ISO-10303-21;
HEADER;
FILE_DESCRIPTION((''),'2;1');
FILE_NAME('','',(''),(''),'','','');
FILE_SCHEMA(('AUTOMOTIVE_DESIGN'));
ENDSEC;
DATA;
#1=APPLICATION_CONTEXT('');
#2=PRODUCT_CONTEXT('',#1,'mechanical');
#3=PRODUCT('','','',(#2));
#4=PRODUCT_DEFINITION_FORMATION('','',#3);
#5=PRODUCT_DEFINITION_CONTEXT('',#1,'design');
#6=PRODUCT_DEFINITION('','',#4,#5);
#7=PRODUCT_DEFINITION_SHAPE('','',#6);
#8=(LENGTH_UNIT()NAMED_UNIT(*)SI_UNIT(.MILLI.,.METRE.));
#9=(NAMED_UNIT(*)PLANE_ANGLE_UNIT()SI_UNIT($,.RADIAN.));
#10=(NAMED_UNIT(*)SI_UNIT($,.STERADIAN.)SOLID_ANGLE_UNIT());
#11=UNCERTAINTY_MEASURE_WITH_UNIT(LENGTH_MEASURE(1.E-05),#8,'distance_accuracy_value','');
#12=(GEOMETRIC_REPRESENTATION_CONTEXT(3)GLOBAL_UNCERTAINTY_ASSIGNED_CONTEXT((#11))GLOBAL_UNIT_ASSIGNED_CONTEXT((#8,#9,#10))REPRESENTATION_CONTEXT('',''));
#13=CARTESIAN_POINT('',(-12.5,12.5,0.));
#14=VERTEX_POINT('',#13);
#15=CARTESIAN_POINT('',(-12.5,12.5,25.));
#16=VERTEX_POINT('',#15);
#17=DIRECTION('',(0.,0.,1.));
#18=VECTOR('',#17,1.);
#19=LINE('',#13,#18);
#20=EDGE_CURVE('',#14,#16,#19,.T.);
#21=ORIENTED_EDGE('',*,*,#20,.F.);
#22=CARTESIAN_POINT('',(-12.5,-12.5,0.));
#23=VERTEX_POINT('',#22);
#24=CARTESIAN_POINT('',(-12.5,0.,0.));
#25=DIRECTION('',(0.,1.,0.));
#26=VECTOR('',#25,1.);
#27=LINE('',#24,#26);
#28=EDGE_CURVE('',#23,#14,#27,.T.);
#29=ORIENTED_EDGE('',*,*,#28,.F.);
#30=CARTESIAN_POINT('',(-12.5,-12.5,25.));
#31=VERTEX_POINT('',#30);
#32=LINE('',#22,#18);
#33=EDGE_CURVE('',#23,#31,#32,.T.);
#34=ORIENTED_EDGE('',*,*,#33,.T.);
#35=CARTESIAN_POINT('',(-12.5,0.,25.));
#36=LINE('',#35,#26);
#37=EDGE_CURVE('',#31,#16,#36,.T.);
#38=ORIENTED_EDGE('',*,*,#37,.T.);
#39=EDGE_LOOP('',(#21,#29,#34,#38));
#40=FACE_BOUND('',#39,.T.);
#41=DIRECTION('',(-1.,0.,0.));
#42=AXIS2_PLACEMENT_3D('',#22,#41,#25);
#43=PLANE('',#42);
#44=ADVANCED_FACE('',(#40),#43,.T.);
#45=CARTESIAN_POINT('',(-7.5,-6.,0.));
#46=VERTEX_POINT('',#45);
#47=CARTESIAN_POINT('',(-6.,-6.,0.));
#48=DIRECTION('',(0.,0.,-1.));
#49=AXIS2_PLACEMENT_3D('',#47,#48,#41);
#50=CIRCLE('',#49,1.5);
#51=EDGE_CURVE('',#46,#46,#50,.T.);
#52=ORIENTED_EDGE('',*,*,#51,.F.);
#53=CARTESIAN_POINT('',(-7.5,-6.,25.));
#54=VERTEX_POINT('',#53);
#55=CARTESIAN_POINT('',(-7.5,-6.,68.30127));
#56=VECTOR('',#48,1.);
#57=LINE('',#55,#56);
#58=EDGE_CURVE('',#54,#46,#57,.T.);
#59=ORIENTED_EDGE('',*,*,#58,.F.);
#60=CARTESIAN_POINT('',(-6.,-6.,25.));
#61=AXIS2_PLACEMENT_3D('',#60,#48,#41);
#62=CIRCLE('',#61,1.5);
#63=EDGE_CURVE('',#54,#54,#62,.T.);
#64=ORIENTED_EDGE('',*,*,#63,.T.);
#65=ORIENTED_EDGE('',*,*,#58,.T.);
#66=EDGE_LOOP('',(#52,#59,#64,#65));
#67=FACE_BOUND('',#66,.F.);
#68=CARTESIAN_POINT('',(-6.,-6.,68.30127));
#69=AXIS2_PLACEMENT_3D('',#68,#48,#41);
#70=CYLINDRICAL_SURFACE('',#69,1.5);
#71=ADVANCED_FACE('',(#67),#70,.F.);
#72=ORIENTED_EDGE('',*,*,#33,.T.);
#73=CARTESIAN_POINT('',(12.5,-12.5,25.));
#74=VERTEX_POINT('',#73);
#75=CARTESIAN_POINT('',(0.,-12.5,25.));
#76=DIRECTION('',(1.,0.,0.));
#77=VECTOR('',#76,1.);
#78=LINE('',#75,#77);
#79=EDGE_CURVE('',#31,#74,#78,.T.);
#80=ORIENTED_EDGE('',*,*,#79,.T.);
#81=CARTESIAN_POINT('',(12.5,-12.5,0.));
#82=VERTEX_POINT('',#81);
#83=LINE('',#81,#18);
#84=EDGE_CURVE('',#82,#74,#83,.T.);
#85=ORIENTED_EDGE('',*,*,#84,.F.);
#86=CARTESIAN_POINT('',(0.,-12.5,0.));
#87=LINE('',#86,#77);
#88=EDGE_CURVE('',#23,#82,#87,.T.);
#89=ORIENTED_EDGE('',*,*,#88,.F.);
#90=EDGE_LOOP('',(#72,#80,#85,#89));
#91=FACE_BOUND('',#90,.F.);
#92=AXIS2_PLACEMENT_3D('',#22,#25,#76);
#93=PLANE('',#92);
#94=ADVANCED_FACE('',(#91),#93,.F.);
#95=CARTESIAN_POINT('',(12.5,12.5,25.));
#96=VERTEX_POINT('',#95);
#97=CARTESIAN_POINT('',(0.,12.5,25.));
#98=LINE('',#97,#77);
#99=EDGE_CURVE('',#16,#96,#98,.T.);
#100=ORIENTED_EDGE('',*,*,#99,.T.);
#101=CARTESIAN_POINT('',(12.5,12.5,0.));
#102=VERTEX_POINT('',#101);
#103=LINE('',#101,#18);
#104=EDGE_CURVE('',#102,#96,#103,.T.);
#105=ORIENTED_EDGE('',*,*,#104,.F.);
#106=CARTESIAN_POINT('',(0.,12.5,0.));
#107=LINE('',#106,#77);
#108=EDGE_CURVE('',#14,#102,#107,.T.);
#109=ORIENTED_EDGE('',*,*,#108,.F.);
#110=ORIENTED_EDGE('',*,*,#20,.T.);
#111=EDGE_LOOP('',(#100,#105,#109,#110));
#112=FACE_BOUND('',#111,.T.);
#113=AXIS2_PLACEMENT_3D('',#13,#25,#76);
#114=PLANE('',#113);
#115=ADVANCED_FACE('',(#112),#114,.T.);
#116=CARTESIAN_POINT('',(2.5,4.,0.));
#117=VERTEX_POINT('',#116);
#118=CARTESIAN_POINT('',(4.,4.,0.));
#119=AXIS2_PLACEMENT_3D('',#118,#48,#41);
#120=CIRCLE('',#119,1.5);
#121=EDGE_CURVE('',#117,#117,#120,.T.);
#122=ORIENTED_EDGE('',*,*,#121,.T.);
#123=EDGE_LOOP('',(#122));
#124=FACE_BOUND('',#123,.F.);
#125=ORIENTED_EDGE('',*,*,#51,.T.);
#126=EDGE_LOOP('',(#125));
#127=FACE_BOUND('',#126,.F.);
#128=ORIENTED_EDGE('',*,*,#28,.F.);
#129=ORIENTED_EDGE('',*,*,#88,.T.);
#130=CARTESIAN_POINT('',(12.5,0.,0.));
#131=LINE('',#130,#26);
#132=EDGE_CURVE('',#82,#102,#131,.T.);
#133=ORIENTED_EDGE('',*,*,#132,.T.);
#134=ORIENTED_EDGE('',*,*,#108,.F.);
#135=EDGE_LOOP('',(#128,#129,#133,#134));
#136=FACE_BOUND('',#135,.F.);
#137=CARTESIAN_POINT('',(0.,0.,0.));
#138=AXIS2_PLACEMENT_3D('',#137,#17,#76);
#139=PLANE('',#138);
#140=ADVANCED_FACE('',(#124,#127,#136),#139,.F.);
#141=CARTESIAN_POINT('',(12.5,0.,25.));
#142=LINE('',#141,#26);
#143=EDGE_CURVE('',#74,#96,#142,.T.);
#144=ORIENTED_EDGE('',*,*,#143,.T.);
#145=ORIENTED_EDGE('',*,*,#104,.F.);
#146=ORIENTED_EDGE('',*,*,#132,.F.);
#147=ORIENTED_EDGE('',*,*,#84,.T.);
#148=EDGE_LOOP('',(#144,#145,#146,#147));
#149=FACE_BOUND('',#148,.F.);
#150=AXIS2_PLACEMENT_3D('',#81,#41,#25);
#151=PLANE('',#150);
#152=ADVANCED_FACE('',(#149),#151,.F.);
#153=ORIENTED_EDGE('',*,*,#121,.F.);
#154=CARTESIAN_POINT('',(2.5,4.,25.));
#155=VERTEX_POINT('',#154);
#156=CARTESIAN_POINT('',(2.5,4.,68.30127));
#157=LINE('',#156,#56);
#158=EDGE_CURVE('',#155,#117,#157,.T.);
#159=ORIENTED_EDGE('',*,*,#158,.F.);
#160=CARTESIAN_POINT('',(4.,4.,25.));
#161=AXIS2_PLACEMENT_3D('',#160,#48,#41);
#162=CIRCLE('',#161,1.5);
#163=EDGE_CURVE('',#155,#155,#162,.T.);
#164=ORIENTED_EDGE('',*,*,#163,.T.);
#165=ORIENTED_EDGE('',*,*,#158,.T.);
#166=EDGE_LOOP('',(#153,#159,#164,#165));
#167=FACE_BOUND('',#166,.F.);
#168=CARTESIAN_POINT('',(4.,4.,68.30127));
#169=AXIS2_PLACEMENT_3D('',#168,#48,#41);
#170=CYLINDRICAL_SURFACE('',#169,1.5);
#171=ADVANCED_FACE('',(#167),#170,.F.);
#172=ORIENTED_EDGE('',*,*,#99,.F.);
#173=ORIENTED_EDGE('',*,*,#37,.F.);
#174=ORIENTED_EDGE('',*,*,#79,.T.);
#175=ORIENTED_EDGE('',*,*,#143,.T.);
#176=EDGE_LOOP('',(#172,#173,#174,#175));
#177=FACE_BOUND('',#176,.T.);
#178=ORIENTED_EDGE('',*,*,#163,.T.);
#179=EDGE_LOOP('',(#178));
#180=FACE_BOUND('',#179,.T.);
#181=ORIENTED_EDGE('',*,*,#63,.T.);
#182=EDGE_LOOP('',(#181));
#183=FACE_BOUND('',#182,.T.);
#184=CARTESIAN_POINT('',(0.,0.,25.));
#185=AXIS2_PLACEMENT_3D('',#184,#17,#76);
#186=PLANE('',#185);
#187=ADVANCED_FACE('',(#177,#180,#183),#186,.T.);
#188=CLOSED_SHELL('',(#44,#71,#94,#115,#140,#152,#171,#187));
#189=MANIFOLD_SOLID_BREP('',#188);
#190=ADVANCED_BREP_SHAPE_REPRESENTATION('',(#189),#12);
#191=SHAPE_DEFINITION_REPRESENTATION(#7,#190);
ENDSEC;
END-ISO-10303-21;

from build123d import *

# Parameters (mm, degrees)
F0_W     = 25
F0_H     = 25
F1_DEPTH = 25
F3_D     = 3
F5_D     = 3


with BuildPart() as f1:
    # F0 (on Top) → F1 (new body)
    with BuildSketch(Plane.XY):
        Rectangle(F0_W, F0_H)
    extrude(amount=F1_DEPTH)

    # F3 (through all)
    with Locations(Plane.XY.offset(25)):
        with Locations((-6, -6)):
            Hole(F3_D / 2)

    # F5 (through all)
    with Locations(Plane.XY.offset(25)):
        with Locations((4, 4)):
            Hole(F5_D / 2)


solid = f1.part
